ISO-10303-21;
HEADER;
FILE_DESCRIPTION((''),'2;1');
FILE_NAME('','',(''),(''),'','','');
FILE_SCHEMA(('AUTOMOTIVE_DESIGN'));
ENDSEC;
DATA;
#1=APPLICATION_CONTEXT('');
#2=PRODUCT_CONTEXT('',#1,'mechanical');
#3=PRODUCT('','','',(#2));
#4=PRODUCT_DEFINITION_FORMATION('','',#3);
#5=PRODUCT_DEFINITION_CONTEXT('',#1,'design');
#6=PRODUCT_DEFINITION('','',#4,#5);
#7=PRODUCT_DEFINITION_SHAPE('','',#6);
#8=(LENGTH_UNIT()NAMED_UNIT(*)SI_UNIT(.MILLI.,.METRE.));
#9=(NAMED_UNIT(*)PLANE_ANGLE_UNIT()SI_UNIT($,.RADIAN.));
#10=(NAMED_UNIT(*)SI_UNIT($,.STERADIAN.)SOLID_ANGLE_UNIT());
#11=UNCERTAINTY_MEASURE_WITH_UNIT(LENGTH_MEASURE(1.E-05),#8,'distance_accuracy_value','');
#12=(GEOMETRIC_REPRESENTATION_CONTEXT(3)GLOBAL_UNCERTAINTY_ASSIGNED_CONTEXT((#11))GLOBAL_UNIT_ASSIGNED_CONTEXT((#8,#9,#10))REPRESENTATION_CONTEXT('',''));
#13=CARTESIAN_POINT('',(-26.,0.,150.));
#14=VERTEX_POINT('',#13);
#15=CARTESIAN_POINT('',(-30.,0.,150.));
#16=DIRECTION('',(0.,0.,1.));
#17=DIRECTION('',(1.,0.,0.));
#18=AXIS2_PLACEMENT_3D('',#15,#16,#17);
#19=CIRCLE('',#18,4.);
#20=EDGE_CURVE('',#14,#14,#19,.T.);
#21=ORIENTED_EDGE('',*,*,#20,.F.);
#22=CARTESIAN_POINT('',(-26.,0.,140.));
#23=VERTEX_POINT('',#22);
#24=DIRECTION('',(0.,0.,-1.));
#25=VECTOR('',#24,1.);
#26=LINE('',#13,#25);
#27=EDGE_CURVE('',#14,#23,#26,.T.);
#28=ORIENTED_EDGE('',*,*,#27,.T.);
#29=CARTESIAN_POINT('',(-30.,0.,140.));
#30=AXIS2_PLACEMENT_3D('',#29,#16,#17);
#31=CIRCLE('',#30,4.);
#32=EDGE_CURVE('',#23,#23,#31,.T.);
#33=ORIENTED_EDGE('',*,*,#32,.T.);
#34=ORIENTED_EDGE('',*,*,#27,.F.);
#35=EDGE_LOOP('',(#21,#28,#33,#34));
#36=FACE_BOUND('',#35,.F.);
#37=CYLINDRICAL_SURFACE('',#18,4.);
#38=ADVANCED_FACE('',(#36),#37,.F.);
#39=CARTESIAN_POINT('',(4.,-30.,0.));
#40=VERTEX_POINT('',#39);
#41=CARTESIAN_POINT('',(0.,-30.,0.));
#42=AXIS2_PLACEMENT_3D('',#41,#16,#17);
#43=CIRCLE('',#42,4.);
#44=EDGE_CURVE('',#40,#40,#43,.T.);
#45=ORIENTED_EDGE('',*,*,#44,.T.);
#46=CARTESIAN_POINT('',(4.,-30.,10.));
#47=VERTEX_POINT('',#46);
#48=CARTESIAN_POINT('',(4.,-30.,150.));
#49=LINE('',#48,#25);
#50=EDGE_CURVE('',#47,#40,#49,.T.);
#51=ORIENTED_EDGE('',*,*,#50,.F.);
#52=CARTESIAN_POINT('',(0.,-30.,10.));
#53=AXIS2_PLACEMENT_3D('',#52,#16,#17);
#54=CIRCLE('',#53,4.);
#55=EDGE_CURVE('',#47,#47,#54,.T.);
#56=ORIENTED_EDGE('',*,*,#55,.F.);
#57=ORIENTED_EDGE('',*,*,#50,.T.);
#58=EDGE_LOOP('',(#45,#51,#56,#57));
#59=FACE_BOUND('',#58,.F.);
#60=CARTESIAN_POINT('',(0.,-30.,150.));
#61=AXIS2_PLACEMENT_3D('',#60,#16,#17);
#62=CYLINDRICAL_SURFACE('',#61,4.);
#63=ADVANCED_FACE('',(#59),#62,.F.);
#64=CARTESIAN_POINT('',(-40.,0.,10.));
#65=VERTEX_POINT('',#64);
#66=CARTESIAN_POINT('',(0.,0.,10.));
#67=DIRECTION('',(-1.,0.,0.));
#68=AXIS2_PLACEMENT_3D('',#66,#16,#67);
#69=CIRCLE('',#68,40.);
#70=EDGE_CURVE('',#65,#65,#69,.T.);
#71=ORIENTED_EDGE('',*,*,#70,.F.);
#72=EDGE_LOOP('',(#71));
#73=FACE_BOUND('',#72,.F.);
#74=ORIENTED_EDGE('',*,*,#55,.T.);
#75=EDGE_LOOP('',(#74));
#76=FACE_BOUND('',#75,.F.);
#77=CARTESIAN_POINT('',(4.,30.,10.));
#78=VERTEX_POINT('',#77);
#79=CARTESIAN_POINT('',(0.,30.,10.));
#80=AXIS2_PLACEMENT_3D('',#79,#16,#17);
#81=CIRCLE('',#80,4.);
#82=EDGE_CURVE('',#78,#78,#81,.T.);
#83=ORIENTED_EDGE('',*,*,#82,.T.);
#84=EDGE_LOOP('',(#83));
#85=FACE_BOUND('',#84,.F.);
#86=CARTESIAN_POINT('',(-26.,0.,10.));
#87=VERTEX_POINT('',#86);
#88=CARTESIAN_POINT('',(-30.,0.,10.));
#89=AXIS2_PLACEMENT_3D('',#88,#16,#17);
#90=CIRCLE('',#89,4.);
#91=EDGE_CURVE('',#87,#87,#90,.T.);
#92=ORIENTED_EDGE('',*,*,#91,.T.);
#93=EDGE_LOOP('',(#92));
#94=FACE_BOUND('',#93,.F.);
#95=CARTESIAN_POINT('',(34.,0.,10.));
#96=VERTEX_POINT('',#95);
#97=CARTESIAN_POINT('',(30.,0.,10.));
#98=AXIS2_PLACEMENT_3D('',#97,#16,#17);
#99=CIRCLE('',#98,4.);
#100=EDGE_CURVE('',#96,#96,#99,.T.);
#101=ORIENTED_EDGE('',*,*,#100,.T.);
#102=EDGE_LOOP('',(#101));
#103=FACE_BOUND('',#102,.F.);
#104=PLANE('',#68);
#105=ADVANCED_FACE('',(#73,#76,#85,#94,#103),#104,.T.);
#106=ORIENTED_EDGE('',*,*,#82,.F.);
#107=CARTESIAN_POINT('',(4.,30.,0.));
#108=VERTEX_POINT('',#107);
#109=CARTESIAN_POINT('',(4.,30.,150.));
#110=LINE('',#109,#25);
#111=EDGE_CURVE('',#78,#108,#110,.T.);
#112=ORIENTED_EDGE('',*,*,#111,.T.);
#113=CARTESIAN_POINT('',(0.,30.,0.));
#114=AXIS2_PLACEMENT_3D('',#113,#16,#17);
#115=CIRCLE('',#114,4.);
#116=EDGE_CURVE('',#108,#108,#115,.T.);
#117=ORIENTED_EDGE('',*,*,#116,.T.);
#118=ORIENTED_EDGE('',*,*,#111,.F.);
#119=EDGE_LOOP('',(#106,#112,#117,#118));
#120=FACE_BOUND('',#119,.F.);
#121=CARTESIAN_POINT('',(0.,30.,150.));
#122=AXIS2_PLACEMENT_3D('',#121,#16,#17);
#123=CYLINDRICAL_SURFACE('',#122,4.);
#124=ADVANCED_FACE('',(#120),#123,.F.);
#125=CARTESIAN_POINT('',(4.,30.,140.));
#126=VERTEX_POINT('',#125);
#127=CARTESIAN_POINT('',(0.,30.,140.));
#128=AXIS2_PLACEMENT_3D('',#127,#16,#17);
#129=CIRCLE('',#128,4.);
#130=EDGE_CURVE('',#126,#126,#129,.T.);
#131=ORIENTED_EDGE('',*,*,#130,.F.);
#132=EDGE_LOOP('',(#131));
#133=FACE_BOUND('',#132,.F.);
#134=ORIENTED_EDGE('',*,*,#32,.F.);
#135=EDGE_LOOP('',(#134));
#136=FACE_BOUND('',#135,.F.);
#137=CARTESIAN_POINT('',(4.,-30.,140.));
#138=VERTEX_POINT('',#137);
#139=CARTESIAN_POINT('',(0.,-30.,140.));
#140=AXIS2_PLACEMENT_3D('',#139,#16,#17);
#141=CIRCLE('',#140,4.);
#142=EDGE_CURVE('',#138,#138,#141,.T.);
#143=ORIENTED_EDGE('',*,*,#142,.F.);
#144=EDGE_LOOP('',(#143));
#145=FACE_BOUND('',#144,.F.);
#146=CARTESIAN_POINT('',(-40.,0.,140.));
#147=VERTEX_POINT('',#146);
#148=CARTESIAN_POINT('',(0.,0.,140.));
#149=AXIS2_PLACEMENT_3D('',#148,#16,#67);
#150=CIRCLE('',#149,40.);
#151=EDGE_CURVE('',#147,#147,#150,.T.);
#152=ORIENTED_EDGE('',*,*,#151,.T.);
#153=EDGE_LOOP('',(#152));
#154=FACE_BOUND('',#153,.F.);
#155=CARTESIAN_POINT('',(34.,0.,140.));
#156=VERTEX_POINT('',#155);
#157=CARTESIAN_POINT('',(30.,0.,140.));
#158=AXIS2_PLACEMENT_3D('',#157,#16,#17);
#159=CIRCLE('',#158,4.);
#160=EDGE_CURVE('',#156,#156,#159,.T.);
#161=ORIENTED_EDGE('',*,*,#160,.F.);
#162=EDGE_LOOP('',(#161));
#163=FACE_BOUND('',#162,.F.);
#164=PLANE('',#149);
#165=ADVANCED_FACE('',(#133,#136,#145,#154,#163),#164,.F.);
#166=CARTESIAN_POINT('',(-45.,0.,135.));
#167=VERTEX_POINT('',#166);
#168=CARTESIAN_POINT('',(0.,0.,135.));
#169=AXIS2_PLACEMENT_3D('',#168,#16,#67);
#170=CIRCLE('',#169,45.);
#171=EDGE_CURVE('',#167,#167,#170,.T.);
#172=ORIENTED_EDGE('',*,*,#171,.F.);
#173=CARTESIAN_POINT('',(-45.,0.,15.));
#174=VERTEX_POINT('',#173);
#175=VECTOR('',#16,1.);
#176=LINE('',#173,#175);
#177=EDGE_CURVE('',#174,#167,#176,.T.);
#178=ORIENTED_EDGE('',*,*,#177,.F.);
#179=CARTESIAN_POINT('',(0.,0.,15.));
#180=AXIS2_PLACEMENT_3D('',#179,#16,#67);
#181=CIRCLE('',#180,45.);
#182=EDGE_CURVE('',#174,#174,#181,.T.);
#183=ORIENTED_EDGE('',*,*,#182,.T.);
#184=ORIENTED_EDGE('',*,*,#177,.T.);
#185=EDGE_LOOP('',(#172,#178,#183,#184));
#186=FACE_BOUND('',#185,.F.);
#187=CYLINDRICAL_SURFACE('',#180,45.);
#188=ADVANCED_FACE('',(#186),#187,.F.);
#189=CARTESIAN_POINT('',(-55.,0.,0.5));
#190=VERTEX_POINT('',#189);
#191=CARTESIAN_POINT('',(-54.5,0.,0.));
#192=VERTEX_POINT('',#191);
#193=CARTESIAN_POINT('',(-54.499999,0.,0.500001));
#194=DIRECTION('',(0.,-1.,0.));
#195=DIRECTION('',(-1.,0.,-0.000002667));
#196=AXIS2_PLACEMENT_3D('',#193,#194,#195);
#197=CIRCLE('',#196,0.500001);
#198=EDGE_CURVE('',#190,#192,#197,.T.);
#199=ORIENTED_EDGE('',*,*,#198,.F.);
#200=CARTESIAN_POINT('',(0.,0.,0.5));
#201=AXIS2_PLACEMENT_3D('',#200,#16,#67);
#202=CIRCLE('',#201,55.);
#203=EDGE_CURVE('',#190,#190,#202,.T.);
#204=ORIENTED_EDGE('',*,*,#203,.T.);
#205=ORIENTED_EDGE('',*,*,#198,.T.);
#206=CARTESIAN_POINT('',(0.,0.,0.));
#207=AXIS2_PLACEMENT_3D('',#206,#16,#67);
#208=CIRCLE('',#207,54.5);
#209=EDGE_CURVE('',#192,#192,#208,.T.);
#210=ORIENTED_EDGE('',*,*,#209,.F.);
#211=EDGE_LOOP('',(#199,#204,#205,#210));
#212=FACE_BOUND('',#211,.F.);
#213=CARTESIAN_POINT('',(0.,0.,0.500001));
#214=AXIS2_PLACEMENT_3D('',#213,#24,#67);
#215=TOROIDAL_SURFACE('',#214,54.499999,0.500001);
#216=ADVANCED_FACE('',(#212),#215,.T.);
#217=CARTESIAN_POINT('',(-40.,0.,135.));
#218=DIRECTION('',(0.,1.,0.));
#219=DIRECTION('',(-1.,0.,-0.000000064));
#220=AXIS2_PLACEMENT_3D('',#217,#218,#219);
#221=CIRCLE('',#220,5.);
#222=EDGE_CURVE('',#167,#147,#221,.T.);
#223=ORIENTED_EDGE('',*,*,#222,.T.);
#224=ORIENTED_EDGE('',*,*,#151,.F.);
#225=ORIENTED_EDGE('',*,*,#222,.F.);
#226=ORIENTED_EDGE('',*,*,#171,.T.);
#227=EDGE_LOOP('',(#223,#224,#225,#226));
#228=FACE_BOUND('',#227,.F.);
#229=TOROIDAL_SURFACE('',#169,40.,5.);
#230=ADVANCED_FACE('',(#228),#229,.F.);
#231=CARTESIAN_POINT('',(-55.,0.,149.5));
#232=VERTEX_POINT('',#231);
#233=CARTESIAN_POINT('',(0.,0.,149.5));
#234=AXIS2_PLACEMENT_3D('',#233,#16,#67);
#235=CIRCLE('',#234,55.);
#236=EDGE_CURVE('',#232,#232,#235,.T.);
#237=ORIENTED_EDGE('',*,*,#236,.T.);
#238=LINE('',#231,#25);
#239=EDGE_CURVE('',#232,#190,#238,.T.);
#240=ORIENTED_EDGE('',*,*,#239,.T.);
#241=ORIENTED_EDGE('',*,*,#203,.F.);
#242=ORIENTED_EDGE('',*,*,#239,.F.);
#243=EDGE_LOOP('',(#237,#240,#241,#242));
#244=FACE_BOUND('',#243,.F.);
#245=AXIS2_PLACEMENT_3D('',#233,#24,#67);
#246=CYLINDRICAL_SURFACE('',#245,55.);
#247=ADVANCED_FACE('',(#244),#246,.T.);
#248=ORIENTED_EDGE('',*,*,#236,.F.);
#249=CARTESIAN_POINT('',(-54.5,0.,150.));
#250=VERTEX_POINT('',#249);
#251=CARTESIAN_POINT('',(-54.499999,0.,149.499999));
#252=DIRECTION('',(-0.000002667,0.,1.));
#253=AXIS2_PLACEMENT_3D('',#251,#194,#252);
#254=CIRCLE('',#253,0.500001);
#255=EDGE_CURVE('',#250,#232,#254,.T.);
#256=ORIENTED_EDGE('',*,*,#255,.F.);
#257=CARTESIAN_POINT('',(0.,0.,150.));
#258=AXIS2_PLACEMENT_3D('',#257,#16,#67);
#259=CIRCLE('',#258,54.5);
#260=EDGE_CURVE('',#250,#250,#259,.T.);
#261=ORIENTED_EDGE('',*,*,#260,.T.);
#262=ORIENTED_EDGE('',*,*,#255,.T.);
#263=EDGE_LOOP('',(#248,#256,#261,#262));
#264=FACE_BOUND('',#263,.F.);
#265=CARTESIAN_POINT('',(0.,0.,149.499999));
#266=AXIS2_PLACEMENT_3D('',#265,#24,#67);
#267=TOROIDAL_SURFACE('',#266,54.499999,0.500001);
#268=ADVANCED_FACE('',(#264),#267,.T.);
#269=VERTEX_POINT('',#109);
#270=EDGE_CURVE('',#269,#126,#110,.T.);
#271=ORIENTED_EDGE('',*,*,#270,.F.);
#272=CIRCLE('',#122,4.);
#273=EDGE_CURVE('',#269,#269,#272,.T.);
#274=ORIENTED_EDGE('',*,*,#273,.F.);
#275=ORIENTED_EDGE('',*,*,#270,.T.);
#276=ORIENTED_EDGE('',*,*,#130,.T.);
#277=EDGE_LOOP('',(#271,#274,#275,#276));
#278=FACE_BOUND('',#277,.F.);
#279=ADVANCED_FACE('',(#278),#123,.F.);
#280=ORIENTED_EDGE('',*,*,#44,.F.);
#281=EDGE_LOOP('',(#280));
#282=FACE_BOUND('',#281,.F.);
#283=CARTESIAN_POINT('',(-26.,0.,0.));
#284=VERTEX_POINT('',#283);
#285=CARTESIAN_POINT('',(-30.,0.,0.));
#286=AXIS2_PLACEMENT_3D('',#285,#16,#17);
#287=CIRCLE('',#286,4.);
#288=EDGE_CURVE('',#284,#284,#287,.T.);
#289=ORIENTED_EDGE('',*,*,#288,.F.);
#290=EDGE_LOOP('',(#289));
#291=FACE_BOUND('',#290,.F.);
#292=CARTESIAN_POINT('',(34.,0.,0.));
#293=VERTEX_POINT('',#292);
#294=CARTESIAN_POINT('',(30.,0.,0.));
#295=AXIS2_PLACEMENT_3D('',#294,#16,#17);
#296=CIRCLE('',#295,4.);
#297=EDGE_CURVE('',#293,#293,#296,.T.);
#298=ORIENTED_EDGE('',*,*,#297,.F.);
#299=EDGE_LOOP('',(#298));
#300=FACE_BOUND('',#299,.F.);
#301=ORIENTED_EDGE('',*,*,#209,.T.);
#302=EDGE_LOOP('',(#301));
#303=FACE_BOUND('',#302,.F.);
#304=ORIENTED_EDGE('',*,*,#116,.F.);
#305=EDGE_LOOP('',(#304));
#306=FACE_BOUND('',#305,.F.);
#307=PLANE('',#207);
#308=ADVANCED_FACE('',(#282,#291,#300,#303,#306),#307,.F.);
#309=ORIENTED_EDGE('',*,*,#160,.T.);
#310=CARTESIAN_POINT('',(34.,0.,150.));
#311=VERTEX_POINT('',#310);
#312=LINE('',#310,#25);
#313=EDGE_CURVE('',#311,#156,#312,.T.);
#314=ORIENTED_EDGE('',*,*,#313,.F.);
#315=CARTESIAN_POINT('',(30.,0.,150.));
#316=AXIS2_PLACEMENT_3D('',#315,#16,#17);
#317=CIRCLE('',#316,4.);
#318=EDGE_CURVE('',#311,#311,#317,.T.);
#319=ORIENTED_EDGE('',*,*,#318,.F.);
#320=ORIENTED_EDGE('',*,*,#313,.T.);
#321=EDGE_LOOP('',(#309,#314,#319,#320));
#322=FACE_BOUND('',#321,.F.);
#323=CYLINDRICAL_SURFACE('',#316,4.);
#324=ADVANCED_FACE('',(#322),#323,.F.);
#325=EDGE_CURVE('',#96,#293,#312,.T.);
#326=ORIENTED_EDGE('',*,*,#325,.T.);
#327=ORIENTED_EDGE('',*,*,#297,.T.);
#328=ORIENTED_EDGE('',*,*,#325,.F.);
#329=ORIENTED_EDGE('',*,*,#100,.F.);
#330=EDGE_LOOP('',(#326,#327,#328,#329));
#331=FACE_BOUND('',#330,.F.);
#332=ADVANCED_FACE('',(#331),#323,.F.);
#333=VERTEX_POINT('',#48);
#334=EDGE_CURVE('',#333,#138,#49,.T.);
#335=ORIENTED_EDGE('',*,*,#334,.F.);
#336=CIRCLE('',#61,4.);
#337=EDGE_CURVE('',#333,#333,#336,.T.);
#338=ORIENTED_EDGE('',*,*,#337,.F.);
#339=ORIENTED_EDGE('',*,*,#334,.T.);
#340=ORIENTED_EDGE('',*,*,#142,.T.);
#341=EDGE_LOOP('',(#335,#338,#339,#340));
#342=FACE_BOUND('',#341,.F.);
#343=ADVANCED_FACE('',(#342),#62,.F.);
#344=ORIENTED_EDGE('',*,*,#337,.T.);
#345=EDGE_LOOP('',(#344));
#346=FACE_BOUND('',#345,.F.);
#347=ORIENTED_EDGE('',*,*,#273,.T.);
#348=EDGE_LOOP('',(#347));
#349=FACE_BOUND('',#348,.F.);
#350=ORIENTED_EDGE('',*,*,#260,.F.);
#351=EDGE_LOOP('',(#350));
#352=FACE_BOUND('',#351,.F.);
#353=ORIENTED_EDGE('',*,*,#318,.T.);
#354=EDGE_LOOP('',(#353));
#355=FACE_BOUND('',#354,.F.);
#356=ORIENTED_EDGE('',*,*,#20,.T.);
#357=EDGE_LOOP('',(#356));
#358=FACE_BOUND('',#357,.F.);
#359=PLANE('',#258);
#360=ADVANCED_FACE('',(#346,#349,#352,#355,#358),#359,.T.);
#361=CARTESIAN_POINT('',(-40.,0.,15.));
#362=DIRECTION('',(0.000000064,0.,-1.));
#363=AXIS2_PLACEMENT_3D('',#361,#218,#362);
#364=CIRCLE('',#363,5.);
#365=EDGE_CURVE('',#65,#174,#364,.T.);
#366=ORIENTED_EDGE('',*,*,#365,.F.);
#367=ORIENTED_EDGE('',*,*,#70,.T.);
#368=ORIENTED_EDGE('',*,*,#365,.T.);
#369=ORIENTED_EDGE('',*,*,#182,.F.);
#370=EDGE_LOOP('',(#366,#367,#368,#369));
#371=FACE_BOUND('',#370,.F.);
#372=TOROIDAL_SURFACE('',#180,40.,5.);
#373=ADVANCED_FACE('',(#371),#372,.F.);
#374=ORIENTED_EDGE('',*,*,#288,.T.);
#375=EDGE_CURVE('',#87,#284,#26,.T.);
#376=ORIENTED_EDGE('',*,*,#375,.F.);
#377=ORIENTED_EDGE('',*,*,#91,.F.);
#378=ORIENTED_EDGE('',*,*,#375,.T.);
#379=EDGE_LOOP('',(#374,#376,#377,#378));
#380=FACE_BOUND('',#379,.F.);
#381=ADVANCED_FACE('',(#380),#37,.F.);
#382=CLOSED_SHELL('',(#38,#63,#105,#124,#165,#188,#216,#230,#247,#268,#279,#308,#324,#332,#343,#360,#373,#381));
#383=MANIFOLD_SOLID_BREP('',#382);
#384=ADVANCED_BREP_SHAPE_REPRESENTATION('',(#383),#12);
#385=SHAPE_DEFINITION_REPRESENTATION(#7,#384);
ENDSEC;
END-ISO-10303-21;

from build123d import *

# Parameters (mm, degrees)
F2_R     = 4
F3_DEPTH = 150.001


with BuildPart() as f1:
    # F0 (on Front) → F1 (revolve)
    with BuildSketch(Plane.XZ):
        with BuildLine():
            Line((-54.5, 0), (0, 0))
            Line((0, 0), (0, 10))
            Line((0, 10), (-40, 10))
            ThreePointArc((-40, 10), (-43.535534, 11.464466), (-45, 15))
            Line((-45, 15), (-45, 135))
            ThreePointArc((-45, 135), (-43.535534, 138.535534), (-40, 140))
            Line((-40, 140), (0, 140))
            Line((0, 140), (0, 150))
            Line((0, 150), (-54.5, 150))
            ThreePointArc((-54.5, 150), (-54.853553, 149.853553), (-55, 149.5))
            Line((-55, 149.5), (-55, 0.5))
            ThreePointArc((-55, 0.5), (-54.853553, 0.146447), (-54.5, 0))
        make_face()
    revolve(axis=Axis((0, 0, 48.276713), (0, 0, 1)))

    # F2 (on face) → F3 (cut, through all)
    with BuildSketch(Plane.XY.offset(150)):
        with Locations((30, 0)):
            Circle(F2_R)
        with Locations((0, 30)):
            Circle(F2_R)
        with Locations((-30, 0)):
            Circle(F2_R)
        with Locations((0, -30)):
            Circle(F2_R)
    extrude(amount=-F3_DEPTH, mode=Mode.SUBTRACT)


solid = f1.part
